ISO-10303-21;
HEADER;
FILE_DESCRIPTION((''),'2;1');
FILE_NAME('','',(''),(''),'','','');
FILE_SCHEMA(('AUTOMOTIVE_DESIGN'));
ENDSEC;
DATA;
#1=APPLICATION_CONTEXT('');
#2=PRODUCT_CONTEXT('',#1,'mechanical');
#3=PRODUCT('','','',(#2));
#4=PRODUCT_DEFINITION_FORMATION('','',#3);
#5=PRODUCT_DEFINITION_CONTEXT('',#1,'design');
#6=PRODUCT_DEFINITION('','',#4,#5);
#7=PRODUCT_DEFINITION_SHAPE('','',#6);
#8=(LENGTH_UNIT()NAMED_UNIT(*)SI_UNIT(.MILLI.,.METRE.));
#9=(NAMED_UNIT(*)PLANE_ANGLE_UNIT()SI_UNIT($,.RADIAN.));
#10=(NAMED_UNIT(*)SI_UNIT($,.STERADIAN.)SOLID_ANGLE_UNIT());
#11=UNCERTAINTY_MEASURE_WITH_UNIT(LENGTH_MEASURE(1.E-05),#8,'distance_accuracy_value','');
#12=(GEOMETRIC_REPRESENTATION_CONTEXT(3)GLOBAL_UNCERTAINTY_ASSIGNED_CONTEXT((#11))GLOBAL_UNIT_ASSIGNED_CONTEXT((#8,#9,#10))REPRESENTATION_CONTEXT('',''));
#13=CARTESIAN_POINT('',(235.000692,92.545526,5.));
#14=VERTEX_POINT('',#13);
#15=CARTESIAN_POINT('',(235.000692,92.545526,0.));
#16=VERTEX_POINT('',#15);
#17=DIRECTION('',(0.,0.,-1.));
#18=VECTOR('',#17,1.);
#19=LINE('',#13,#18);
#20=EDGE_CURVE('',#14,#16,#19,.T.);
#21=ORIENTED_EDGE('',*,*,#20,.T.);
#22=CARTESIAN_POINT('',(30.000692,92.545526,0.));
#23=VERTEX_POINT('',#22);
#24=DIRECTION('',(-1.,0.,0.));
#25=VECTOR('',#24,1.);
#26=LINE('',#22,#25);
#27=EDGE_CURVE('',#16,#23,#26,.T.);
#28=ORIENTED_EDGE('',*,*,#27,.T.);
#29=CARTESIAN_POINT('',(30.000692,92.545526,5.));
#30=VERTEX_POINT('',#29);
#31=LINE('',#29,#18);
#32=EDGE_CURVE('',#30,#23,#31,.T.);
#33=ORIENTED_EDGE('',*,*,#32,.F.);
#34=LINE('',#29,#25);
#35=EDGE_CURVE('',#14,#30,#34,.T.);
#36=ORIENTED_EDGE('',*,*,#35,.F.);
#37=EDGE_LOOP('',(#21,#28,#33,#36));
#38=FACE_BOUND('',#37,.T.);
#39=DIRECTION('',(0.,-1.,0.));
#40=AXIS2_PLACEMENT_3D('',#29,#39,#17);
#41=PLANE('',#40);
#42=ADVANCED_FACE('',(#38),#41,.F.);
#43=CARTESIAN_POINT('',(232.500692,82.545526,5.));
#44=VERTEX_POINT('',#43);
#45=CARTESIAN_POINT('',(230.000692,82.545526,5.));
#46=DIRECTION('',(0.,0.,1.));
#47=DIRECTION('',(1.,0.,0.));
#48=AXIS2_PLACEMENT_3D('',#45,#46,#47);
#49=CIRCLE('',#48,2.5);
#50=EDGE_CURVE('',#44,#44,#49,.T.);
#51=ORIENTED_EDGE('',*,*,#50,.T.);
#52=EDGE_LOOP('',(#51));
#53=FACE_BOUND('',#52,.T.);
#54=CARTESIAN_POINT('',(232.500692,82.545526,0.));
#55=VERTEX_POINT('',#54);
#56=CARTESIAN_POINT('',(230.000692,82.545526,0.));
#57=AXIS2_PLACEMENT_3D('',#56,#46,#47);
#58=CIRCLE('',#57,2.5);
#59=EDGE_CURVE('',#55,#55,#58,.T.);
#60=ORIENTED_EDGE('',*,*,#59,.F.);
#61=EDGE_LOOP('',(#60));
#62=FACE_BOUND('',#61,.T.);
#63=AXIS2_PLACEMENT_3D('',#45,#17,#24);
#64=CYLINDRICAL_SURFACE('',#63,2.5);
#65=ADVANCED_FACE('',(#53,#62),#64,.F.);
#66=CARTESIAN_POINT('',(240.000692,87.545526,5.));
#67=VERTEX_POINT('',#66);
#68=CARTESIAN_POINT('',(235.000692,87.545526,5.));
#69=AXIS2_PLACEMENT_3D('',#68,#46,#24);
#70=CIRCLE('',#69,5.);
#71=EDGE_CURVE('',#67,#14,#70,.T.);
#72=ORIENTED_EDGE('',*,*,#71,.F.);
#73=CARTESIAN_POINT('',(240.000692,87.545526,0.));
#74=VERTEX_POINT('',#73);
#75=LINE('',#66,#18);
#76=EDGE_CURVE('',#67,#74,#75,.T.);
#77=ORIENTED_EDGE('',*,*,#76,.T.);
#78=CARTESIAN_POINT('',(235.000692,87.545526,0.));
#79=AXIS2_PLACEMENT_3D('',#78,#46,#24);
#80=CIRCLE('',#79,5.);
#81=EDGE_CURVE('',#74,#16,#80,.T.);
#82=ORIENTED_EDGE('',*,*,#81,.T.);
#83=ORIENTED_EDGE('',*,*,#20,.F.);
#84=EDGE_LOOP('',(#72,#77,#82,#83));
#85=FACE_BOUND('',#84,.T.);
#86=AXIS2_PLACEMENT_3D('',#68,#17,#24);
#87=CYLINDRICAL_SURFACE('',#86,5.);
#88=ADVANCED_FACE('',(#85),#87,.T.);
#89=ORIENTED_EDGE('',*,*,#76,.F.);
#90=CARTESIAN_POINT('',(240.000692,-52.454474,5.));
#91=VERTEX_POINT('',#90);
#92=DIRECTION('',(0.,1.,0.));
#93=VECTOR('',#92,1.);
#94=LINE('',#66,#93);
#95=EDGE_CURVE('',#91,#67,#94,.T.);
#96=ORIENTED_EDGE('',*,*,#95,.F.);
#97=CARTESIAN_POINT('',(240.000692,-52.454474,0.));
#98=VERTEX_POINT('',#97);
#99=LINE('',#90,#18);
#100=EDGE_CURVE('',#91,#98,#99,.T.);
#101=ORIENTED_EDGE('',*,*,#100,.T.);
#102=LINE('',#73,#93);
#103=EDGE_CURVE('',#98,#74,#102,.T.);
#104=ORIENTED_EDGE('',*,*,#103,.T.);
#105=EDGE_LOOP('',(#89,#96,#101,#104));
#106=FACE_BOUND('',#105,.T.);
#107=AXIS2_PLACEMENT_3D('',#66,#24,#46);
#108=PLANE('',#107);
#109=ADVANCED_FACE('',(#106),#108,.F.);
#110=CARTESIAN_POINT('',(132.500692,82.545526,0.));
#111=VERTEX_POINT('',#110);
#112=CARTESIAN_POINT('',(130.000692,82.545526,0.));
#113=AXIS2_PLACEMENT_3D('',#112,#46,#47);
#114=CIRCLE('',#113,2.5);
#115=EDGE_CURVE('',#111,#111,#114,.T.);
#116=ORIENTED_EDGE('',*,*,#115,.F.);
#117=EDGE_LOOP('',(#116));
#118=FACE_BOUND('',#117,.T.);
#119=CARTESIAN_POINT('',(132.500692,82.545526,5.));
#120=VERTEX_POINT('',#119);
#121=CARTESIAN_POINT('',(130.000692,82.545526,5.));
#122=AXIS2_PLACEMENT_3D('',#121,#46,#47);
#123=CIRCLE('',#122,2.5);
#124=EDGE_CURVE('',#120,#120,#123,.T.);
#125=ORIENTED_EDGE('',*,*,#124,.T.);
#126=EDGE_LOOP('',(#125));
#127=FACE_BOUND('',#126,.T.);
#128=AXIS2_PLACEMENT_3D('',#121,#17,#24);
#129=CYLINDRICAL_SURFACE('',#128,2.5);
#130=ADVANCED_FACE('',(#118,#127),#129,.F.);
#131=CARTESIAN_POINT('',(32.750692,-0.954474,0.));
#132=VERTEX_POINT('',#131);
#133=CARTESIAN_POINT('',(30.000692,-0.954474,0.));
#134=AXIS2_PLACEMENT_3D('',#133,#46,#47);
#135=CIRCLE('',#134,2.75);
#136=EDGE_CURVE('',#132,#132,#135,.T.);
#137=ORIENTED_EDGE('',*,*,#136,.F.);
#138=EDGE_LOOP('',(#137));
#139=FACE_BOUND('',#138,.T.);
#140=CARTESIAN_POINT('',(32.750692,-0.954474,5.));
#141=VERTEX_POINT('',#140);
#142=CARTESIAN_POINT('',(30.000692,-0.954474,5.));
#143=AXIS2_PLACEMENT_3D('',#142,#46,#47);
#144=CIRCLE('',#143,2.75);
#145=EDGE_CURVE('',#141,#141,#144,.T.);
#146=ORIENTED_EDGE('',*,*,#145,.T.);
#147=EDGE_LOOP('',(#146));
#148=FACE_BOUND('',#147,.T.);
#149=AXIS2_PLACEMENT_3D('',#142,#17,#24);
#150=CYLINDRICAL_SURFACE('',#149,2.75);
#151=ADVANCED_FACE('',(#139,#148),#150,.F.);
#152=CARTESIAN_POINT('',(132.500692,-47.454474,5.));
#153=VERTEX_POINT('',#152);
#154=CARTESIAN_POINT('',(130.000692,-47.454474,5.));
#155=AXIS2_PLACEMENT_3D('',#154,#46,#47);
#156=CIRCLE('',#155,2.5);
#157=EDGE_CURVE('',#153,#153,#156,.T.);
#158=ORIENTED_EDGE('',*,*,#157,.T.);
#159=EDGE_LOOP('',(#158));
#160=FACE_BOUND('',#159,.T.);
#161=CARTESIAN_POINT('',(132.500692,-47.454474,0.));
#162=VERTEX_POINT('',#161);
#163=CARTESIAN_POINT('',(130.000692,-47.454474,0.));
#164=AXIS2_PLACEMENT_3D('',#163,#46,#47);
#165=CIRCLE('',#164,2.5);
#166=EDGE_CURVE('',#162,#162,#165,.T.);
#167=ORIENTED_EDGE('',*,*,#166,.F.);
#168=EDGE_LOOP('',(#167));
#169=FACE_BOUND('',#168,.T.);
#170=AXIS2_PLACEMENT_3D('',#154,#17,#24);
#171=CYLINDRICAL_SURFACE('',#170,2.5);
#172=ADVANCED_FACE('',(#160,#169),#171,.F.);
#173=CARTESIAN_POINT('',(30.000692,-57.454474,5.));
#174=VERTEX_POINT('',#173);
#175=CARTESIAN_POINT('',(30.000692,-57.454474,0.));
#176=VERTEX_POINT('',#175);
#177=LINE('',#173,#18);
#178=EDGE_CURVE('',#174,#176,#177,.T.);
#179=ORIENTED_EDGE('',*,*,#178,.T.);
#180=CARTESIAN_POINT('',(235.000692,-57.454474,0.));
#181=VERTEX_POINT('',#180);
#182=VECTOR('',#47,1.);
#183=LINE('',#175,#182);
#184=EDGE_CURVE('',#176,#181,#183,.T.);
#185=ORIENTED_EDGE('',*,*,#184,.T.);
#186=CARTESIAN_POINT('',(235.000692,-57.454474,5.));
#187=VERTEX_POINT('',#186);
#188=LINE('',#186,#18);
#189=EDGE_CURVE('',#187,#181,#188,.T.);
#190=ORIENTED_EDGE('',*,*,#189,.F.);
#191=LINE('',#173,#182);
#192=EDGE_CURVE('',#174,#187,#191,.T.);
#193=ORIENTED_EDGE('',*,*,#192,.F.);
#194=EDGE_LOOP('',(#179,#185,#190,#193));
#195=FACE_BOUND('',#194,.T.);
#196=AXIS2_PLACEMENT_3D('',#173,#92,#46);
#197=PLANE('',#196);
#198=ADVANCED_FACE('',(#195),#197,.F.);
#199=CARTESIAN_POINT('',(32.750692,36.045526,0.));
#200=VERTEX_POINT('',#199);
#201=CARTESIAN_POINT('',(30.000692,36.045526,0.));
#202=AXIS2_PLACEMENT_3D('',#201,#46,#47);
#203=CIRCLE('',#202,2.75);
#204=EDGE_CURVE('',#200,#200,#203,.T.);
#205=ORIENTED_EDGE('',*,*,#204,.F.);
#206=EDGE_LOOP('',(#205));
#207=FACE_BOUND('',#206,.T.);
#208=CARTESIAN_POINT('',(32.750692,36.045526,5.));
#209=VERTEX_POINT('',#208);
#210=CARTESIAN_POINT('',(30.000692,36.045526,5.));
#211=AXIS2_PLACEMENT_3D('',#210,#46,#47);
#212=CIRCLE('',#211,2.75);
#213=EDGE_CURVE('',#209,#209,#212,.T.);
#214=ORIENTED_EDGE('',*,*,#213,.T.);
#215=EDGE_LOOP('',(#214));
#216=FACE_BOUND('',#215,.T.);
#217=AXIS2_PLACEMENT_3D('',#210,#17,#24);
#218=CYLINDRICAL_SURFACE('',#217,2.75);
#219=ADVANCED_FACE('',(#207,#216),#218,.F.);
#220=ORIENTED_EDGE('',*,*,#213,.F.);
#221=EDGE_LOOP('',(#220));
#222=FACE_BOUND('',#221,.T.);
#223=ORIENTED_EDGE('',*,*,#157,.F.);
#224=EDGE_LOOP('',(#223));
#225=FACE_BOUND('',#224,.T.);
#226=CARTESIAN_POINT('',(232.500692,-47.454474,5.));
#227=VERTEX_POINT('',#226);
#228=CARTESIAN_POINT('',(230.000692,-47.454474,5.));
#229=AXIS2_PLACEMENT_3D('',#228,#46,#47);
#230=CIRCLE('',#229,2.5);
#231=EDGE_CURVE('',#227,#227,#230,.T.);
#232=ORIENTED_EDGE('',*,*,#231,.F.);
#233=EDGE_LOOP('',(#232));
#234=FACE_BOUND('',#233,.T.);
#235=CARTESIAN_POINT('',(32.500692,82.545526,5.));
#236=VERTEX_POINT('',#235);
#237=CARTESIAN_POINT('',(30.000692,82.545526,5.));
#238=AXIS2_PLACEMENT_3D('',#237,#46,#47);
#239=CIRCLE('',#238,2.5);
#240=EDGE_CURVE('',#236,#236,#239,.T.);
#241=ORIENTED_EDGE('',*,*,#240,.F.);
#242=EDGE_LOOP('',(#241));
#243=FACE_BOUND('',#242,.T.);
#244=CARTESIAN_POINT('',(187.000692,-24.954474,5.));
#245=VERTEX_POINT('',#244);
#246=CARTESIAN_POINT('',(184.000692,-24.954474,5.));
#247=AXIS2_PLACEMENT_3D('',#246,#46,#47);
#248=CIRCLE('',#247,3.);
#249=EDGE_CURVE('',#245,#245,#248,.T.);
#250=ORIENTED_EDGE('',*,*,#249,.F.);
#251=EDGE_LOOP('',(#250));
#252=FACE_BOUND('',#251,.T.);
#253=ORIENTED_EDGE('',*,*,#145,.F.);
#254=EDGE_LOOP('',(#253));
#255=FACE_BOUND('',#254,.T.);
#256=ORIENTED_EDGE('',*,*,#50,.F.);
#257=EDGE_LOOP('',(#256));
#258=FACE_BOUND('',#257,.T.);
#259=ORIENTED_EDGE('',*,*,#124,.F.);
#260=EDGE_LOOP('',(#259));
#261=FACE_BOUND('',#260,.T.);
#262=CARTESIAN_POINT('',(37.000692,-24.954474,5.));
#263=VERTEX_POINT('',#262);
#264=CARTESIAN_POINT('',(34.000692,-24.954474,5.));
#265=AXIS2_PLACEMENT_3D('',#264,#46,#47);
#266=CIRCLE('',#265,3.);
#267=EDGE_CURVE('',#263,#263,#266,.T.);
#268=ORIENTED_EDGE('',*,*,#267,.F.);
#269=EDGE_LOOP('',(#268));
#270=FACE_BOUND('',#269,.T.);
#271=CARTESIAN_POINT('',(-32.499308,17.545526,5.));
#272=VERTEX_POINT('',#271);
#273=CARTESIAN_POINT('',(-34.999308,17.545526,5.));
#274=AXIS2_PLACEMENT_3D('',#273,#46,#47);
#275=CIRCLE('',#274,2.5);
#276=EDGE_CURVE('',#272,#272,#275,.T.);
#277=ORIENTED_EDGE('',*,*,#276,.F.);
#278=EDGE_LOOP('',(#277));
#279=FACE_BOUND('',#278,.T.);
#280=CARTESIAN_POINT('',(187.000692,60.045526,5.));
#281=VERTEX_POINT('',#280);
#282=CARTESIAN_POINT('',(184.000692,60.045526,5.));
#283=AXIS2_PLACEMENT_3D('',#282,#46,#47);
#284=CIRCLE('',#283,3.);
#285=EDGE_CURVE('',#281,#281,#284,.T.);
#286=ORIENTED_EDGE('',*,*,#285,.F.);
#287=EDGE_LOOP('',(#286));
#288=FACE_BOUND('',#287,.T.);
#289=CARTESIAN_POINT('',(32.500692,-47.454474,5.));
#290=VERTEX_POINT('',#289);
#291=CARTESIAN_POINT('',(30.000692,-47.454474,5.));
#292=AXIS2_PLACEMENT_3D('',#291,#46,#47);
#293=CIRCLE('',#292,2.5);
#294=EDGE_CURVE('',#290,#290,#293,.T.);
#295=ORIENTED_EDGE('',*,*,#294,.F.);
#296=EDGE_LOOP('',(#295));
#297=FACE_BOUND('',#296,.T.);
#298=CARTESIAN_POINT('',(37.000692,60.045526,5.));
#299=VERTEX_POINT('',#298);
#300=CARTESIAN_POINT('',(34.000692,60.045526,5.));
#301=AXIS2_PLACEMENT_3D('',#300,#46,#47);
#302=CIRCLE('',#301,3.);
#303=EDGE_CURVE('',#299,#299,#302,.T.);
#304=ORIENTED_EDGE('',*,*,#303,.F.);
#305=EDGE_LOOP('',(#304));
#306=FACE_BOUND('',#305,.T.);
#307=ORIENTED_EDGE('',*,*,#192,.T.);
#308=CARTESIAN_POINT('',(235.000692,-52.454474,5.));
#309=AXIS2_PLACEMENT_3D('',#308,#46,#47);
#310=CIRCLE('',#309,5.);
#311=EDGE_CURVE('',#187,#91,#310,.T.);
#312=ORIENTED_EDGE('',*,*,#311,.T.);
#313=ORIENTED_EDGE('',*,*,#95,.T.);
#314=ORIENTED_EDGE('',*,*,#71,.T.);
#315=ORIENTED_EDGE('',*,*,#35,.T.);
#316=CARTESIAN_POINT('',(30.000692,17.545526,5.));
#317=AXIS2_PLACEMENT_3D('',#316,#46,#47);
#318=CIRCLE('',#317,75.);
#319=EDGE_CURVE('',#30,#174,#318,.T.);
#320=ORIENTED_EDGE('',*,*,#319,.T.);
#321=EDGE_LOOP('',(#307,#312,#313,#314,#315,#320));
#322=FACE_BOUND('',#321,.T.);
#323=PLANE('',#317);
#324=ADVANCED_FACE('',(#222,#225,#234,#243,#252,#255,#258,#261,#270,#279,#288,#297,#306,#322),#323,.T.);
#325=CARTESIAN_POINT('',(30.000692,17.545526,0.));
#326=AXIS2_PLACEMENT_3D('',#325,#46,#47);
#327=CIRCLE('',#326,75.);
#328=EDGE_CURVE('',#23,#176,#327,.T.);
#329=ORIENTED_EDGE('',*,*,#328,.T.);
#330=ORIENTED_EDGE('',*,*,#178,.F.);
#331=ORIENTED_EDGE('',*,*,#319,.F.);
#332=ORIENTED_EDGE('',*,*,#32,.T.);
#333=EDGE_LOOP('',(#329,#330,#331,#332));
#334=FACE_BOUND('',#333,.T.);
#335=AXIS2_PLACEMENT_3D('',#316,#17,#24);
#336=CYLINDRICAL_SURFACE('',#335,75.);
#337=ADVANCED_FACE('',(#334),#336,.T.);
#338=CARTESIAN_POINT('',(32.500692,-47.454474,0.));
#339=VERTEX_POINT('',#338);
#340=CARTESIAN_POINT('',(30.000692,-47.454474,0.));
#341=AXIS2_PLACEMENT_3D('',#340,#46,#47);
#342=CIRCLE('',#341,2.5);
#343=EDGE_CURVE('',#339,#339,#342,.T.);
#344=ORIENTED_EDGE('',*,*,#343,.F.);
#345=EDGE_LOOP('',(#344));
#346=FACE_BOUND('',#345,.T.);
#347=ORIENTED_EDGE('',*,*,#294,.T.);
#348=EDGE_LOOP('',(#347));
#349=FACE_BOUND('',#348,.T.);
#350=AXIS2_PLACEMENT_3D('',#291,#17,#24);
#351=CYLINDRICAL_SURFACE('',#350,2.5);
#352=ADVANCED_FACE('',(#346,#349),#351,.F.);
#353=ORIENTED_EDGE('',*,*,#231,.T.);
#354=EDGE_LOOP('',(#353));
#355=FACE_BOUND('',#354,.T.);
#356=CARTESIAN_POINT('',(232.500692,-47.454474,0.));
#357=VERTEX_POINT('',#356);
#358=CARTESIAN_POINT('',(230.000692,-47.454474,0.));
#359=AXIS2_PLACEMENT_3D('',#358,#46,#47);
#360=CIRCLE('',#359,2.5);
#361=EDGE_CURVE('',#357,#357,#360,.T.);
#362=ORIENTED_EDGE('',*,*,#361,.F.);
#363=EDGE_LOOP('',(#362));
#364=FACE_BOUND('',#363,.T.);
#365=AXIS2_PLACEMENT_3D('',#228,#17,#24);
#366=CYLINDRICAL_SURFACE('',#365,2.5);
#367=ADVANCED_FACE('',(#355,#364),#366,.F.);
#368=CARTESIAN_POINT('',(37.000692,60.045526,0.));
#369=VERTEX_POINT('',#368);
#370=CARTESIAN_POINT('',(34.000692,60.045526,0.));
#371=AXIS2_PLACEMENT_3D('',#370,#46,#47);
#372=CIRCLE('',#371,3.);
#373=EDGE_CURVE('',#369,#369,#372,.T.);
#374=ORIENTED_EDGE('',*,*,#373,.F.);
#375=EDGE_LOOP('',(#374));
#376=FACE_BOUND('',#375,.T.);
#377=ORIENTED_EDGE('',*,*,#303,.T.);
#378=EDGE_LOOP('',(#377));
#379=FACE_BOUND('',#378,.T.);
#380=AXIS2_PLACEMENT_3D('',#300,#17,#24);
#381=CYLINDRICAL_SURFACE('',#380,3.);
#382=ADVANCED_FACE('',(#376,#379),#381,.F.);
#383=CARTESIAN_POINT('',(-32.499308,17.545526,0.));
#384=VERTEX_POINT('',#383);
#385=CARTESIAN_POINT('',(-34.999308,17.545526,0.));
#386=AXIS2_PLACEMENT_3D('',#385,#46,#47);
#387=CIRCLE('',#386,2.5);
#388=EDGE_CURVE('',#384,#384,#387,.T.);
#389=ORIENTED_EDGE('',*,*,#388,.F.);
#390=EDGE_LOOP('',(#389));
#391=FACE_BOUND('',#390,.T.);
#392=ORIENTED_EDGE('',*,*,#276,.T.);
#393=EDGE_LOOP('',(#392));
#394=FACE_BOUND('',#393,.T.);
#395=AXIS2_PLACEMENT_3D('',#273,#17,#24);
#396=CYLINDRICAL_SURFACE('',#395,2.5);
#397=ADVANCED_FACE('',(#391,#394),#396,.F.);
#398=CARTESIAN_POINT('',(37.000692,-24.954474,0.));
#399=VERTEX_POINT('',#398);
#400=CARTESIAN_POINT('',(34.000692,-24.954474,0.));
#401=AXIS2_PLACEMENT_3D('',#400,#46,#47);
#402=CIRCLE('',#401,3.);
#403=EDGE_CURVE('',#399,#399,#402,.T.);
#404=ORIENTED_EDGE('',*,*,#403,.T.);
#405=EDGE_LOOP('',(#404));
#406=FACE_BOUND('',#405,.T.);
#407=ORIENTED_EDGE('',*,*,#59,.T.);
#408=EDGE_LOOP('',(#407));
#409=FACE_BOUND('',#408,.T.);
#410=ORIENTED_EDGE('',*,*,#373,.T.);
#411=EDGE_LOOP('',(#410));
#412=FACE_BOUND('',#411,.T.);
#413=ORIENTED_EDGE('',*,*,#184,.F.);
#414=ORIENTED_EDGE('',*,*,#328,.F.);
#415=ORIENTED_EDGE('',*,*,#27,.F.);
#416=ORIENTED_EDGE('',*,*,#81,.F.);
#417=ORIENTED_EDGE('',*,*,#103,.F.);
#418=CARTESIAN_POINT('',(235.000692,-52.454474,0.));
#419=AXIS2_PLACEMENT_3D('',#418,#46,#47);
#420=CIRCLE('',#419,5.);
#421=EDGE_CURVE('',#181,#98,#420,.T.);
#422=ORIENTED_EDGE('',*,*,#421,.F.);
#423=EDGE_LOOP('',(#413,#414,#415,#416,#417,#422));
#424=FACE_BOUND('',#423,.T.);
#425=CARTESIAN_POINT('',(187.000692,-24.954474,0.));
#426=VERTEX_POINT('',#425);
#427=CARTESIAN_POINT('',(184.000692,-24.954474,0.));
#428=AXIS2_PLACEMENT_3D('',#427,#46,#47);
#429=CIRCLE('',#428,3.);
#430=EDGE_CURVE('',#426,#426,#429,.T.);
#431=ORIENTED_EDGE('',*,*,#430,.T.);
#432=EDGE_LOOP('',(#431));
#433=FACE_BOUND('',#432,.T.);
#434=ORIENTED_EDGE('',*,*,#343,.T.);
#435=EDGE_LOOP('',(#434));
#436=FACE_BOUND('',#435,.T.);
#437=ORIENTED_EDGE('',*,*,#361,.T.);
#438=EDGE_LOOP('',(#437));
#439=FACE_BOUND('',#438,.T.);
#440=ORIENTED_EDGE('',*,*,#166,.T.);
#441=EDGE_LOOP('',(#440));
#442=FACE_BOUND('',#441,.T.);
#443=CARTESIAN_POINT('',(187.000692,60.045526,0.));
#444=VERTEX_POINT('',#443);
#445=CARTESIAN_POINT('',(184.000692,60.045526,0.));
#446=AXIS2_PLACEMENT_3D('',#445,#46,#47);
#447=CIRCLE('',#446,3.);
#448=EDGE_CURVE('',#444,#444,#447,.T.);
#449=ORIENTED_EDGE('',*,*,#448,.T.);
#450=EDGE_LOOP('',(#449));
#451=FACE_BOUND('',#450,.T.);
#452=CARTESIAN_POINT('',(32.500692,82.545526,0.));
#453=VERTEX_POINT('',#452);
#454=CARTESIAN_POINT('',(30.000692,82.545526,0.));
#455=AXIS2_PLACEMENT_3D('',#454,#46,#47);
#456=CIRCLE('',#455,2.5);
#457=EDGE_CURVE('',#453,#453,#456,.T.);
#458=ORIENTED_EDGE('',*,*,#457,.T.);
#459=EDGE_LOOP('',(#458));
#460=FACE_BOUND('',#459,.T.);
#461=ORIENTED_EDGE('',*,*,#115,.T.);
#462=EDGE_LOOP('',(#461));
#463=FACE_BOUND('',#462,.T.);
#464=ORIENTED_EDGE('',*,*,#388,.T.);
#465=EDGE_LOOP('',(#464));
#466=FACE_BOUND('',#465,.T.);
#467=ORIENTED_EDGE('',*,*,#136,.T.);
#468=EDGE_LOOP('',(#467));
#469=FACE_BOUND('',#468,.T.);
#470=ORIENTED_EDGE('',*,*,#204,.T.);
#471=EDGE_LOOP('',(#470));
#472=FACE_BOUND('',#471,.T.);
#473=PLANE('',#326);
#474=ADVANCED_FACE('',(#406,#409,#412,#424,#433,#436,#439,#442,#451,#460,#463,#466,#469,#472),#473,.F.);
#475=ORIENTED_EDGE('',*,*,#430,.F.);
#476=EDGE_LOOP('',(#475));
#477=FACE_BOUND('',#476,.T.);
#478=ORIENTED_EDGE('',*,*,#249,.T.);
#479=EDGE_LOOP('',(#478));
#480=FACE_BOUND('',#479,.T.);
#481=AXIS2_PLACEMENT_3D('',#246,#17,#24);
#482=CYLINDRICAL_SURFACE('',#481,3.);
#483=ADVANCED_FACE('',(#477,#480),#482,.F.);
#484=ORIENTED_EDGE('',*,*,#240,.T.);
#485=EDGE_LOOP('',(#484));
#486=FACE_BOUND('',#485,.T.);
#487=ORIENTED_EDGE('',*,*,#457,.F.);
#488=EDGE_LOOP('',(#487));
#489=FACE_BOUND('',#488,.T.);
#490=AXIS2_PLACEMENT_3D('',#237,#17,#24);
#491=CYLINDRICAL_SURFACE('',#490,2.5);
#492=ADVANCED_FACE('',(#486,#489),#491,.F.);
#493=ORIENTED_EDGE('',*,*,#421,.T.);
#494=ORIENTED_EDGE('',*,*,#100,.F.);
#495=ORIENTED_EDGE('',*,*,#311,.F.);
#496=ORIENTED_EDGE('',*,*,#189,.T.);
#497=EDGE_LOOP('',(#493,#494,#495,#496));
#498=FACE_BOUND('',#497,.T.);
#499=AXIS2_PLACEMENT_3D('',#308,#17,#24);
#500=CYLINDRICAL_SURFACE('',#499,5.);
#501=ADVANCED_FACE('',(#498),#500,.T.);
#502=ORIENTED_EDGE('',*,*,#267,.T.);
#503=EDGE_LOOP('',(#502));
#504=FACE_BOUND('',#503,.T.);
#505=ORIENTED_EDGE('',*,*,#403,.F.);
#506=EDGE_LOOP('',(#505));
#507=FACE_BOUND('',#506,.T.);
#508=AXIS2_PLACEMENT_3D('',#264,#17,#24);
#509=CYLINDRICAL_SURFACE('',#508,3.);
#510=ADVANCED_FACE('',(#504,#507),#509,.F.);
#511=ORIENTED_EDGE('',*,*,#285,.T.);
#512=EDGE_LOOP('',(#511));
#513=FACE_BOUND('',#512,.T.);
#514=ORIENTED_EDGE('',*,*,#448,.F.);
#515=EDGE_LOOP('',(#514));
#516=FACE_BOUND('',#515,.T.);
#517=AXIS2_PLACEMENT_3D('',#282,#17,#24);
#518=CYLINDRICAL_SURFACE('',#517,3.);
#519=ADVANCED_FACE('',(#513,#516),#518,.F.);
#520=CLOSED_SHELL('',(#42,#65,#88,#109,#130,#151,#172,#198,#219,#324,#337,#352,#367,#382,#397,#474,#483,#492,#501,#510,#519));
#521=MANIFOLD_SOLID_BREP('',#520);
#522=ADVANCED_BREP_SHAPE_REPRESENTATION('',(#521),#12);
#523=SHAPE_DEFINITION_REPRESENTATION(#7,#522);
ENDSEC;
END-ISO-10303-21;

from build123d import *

# Parameters (mm, degrees)
SKETCH1_R           = 3
SKETCH1_R_2         = 2.5
SKETCH1_R_3         = 2.75
BOSS_EXTRUDE1_DEPTH = 5


with BuildPart() as part:
    # Sketch1 → Boss-Extrude1 (new body)
    with BuildSketch(Plane.XY):
        with BuildLine():
            Line((30.000692042, 92.545526446), (235.000692042, 92.545526446))
            ThreePointArc((235.000692042, 92.545526446), (238.536225947, 91.081060352), (240.000692042, 87.545526446))
            Line((240.000692042, 87.545526446), (240.000692042, -52.454473554))
            ThreePointArc((240.000692042, -52.454473554), (238.536225947, -55.99000746), (235.000692042, -57.454473554))
            Line((235.000692042, -57.454473554), (30.000692042, -57.454473554))
            ThreePointArc((30.000692042, -57.454473554), (-44.999307958, 17.545526446), (30.000692042, 92.545526446))
        make_face()
        with Locations((184.000692042, 60.045526446)):
            Circle(SKETCH1_R, mode=Mode.SUBTRACT)
        with Locations((184.000692042, -24.954473554)):
            Circle(SKETCH1_R, mode=Mode.SUBTRACT)
        with Locations((34.000692042, 60.045526446)):
            Circle(SKETCH1_R, mode=Mode.SUBTRACT)
        with Locations((34.000692042, -24.954473554)):
            Circle(SKETCH1_R, mode=Mode.SUBTRACT)
        with Locations((-34.999307958, 17.545526446)):
            Circle(SKETCH1_R_2, mode=Mode.SUBTRACT)
        with Locations((30.000692042, 36.045526446)):
            Circle(SKETCH1_R_3, mode=Mode.SUBTRACT)
        with Locations((30.000692042, -0.954473554)):
            Circle(SKETCH1_R_3, mode=Mode.SUBTRACT)
        with Locations((30.000692042, -47.454473554)):
            Circle(SKETCH1_R_2, mode=Mode.SUBTRACT)
        with Locations((30.000692042, 82.545526446)):
            Circle(SKETCH1_R_2, mode=Mode.SUBTRACT)
        with Locations((230.000692042, -47.454473554)):
            Circle(SKETCH1_R_2, mode=Mode.SUBTRACT)
        with Locations((230.000692042, 82.545526446)):
            Circle(SKETCH1_R_2, mode=Mode.SUBTRACT)
        with Locations((130.000692042, 82.545526446)):
            Circle(SKETCH1_R_2, mode=Mode.SUBTRACT)
        with Locations((130.000692042, -47.454473554)):
            Circle(SKETCH1_R_2, mode=Mode.SUBTRACT)
    extrude(amount=BOSS_EXTRUDE1_DEPTH)


solid = part.part
